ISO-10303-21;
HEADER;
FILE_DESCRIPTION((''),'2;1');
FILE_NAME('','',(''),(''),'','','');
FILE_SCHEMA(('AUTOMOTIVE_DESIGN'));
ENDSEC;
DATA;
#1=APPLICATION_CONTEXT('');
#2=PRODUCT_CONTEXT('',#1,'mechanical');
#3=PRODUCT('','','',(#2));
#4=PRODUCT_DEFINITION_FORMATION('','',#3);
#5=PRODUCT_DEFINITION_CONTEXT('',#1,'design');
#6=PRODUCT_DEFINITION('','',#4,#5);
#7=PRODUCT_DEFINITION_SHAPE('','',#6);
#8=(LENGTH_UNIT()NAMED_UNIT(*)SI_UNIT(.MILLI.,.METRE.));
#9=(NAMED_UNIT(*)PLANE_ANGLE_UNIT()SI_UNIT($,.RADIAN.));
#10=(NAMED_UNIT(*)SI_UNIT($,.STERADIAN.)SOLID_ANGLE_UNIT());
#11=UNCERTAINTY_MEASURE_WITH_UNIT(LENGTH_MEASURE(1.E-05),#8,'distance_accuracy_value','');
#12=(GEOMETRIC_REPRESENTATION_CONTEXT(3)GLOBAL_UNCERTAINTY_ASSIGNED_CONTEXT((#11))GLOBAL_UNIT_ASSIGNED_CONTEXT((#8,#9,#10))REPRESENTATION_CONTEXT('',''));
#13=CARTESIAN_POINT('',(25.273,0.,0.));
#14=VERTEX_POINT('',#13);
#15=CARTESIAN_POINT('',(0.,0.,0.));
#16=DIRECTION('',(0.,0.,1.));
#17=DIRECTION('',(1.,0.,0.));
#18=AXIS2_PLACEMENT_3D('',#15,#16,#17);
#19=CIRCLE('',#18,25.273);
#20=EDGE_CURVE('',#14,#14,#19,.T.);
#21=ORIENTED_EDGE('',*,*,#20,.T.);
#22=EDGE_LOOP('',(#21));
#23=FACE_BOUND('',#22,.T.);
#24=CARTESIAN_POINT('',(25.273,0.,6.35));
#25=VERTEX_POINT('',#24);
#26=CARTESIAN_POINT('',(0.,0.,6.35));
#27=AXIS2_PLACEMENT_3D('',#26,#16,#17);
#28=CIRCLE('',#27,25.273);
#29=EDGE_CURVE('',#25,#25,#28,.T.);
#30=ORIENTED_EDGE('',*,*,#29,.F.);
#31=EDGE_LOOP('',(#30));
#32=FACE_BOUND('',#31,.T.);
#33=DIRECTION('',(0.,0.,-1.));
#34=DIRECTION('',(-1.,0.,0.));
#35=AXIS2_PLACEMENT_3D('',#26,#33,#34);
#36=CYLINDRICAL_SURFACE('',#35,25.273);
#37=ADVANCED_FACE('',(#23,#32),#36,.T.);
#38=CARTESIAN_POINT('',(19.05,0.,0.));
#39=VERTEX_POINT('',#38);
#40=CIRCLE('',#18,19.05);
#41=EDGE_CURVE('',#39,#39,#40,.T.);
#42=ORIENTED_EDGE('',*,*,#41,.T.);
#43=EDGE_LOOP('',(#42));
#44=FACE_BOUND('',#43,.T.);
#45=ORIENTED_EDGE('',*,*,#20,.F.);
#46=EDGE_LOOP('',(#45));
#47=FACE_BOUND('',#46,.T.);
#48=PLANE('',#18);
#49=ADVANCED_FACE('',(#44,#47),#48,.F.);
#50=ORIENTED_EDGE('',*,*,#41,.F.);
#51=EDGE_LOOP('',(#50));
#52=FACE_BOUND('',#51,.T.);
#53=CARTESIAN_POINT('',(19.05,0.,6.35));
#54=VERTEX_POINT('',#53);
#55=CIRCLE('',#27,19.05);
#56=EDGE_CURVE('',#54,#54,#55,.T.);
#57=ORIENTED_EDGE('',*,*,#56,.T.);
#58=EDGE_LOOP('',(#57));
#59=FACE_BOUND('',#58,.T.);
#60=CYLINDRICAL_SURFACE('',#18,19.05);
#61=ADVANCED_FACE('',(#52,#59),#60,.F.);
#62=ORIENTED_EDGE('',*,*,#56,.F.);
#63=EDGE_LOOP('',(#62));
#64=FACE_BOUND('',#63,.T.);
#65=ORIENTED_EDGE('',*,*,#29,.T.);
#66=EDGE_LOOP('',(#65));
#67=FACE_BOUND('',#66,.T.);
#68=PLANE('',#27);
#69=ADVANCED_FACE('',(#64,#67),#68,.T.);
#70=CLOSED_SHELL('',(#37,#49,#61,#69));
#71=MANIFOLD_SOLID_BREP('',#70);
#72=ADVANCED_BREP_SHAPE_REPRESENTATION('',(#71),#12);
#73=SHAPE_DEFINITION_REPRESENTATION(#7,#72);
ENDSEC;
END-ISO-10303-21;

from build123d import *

# Parameters (mm, degrees)
SKETCH1_R           = 25.273
BOSS_EXTRUDE1_DEPTH = 6.35
SKETCH2_R           = 19.05
CUT_EXTRUDE1_DEPTH  = 37.301123371


with BuildPart() as part:
    # Sketch1 → Boss-Extrude1 (new body)
    with BuildSketch(Plane.XY):
        Circle(SKETCH1_R)
    extrude(amount=BOSS_EXTRUDE1_DEPTH)

    # Sketch2 → Cut-Extrude1 (cut, through all)
    with BuildSketch(Plane.XY.offset(6.35)):
        Circle(SKETCH2_R)
    extrude(amount=-CUT_EXTRUDE1_DEPTH, mode=Mode.SUBTRACT)


solid = part.part
